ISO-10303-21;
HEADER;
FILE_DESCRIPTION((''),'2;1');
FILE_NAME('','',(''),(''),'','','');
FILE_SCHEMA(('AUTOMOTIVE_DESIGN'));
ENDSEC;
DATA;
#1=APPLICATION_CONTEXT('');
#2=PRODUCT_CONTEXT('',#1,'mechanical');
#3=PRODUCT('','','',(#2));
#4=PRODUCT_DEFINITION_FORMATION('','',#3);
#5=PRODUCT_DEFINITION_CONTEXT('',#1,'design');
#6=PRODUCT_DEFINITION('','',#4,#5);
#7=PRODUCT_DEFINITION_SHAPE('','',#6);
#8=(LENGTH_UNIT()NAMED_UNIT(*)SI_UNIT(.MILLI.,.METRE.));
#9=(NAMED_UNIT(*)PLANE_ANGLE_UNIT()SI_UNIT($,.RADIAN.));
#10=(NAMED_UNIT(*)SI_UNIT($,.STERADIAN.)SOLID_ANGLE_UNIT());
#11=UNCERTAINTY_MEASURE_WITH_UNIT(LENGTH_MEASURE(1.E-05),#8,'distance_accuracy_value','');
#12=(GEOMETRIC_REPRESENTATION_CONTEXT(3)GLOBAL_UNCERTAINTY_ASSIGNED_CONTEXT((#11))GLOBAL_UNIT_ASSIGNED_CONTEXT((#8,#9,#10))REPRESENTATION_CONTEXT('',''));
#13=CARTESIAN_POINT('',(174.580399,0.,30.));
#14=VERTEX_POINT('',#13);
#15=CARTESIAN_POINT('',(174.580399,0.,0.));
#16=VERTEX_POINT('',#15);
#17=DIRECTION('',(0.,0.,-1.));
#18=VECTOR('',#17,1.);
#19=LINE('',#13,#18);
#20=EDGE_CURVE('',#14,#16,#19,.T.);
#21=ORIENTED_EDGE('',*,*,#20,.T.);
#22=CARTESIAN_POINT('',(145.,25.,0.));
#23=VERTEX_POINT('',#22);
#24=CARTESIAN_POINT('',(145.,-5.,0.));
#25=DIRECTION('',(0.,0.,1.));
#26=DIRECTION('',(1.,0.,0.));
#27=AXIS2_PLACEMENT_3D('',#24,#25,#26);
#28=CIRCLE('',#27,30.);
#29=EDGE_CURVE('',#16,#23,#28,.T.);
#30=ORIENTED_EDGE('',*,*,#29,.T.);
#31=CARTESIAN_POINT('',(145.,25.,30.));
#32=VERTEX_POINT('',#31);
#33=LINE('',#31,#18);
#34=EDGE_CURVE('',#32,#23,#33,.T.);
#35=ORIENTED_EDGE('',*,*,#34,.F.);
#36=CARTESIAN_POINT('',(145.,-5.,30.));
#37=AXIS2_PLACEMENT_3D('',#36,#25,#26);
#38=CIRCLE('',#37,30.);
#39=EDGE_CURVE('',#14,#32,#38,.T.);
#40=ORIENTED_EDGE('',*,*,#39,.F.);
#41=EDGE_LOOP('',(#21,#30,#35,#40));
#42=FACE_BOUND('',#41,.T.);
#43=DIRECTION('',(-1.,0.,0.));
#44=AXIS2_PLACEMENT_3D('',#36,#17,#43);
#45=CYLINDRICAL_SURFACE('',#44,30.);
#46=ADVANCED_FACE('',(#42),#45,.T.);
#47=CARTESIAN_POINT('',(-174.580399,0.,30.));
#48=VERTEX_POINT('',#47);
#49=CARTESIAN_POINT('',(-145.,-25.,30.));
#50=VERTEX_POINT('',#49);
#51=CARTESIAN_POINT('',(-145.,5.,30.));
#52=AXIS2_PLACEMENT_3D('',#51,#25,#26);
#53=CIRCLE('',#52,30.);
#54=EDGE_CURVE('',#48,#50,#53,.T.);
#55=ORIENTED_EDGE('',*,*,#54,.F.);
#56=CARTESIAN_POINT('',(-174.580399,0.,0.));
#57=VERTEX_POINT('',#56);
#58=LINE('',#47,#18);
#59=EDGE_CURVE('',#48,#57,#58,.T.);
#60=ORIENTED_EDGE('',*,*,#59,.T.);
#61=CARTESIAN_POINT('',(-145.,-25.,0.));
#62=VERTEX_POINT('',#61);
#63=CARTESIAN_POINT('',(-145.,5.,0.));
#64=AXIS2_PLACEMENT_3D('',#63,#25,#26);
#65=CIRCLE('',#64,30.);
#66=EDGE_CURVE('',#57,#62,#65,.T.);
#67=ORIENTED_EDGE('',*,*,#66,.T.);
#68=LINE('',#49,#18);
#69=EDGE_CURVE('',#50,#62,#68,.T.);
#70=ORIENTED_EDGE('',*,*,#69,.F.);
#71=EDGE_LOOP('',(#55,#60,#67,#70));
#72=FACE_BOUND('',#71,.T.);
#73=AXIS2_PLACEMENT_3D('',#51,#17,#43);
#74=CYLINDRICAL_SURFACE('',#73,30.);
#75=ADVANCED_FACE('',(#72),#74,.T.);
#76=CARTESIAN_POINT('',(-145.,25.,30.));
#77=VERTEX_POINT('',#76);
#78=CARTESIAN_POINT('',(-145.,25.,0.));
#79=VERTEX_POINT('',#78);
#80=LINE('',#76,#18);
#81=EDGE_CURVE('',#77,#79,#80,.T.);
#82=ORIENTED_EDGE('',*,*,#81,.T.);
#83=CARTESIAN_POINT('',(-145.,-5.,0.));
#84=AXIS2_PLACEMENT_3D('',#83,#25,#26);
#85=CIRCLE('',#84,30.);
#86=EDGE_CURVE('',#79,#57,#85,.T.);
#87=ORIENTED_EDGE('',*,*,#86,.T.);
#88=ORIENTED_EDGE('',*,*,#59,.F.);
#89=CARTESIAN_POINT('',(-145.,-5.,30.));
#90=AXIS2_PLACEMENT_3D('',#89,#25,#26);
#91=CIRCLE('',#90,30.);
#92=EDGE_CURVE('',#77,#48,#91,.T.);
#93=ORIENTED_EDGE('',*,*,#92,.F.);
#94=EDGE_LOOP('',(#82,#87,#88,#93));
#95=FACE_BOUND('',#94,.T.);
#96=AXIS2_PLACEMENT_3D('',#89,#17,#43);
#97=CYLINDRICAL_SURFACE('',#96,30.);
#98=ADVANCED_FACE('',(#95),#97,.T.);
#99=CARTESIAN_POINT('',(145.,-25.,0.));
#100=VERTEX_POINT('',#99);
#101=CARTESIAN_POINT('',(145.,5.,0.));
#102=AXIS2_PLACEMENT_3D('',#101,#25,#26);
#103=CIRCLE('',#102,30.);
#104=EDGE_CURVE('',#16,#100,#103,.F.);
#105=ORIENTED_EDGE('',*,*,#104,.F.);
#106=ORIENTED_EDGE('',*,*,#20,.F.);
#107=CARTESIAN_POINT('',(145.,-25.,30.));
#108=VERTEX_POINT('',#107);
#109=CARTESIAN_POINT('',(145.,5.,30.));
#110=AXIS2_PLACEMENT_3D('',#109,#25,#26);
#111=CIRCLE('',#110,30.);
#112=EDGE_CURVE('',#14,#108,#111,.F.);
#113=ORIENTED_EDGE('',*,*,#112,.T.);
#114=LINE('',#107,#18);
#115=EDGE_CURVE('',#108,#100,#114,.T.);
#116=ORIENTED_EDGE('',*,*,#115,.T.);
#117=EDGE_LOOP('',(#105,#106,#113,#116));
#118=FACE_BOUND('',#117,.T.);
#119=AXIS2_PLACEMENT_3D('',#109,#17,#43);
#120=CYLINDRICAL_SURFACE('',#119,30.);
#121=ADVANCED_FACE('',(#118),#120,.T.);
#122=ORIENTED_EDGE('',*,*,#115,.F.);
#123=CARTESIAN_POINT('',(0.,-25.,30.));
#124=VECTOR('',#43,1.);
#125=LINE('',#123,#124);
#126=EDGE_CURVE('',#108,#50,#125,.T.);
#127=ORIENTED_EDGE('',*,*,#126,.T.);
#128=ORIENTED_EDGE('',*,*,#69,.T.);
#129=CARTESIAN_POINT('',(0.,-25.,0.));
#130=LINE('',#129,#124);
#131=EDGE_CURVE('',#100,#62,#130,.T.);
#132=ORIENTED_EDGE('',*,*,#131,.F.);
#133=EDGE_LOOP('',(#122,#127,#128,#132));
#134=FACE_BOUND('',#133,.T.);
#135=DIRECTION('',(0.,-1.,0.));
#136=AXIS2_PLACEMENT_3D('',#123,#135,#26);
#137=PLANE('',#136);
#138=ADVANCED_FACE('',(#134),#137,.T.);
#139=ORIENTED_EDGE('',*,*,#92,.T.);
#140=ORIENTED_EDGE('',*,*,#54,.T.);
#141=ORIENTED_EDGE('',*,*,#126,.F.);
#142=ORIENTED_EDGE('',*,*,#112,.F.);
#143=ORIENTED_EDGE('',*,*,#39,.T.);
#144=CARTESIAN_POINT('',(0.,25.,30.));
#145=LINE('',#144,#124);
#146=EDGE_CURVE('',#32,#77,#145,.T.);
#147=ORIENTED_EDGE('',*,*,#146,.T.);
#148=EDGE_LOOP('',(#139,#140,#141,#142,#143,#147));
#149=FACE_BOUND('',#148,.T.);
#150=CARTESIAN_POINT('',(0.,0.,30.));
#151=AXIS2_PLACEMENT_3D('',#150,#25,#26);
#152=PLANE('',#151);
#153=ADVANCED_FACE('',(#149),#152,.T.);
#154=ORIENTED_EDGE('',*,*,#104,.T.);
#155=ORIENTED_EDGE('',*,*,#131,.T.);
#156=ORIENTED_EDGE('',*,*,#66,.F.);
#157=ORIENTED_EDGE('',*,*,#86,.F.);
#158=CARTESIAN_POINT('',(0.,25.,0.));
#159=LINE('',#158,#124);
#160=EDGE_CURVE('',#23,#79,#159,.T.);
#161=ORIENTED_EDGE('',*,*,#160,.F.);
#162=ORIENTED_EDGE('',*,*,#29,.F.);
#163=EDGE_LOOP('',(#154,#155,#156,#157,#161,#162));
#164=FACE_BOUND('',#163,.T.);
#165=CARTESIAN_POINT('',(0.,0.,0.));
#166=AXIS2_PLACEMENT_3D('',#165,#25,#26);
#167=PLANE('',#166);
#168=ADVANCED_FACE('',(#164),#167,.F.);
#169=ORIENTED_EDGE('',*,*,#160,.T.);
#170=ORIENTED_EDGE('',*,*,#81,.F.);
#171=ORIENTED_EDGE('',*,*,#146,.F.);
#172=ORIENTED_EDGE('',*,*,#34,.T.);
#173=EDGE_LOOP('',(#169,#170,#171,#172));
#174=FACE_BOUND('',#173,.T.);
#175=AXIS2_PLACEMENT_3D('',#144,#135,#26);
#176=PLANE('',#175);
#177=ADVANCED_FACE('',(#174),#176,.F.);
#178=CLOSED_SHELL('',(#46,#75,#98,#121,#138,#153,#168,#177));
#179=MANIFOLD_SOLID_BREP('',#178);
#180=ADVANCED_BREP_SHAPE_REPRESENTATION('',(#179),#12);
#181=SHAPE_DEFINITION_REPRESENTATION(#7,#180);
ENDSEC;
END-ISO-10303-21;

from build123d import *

# Parameters (mm, degrees)
SALIENTE_EXTRUIR1_DEPTH = 30


with BuildPart() as part:
    # Croquis1 → Saliente-Extruir1 (new body)
    with BuildSketch(Plane.XY):
        with BuildLine():
            Line((-145, -25), (145, -25))
            ThreePointArc((145, -25), (164.364916731, -17.912878475), (174.580398915, 0))
            ThreePointArc((174.580398915, 0), (164.364916731, 17.912878475), (145, 25))
            Line((145, 25), (-145, 25))
            ThreePointArc((-145, 25), (-164.364916731, 17.912878475), (-174.580398915, 0))
            ThreePointArc((-174.580398915, 0), (-164.364916731, -17.912878475), (-145, -25))
        make_face()
    extrude(amount=SALIENTE_EXTRUIR1_DEPTH)


solid = part.part
